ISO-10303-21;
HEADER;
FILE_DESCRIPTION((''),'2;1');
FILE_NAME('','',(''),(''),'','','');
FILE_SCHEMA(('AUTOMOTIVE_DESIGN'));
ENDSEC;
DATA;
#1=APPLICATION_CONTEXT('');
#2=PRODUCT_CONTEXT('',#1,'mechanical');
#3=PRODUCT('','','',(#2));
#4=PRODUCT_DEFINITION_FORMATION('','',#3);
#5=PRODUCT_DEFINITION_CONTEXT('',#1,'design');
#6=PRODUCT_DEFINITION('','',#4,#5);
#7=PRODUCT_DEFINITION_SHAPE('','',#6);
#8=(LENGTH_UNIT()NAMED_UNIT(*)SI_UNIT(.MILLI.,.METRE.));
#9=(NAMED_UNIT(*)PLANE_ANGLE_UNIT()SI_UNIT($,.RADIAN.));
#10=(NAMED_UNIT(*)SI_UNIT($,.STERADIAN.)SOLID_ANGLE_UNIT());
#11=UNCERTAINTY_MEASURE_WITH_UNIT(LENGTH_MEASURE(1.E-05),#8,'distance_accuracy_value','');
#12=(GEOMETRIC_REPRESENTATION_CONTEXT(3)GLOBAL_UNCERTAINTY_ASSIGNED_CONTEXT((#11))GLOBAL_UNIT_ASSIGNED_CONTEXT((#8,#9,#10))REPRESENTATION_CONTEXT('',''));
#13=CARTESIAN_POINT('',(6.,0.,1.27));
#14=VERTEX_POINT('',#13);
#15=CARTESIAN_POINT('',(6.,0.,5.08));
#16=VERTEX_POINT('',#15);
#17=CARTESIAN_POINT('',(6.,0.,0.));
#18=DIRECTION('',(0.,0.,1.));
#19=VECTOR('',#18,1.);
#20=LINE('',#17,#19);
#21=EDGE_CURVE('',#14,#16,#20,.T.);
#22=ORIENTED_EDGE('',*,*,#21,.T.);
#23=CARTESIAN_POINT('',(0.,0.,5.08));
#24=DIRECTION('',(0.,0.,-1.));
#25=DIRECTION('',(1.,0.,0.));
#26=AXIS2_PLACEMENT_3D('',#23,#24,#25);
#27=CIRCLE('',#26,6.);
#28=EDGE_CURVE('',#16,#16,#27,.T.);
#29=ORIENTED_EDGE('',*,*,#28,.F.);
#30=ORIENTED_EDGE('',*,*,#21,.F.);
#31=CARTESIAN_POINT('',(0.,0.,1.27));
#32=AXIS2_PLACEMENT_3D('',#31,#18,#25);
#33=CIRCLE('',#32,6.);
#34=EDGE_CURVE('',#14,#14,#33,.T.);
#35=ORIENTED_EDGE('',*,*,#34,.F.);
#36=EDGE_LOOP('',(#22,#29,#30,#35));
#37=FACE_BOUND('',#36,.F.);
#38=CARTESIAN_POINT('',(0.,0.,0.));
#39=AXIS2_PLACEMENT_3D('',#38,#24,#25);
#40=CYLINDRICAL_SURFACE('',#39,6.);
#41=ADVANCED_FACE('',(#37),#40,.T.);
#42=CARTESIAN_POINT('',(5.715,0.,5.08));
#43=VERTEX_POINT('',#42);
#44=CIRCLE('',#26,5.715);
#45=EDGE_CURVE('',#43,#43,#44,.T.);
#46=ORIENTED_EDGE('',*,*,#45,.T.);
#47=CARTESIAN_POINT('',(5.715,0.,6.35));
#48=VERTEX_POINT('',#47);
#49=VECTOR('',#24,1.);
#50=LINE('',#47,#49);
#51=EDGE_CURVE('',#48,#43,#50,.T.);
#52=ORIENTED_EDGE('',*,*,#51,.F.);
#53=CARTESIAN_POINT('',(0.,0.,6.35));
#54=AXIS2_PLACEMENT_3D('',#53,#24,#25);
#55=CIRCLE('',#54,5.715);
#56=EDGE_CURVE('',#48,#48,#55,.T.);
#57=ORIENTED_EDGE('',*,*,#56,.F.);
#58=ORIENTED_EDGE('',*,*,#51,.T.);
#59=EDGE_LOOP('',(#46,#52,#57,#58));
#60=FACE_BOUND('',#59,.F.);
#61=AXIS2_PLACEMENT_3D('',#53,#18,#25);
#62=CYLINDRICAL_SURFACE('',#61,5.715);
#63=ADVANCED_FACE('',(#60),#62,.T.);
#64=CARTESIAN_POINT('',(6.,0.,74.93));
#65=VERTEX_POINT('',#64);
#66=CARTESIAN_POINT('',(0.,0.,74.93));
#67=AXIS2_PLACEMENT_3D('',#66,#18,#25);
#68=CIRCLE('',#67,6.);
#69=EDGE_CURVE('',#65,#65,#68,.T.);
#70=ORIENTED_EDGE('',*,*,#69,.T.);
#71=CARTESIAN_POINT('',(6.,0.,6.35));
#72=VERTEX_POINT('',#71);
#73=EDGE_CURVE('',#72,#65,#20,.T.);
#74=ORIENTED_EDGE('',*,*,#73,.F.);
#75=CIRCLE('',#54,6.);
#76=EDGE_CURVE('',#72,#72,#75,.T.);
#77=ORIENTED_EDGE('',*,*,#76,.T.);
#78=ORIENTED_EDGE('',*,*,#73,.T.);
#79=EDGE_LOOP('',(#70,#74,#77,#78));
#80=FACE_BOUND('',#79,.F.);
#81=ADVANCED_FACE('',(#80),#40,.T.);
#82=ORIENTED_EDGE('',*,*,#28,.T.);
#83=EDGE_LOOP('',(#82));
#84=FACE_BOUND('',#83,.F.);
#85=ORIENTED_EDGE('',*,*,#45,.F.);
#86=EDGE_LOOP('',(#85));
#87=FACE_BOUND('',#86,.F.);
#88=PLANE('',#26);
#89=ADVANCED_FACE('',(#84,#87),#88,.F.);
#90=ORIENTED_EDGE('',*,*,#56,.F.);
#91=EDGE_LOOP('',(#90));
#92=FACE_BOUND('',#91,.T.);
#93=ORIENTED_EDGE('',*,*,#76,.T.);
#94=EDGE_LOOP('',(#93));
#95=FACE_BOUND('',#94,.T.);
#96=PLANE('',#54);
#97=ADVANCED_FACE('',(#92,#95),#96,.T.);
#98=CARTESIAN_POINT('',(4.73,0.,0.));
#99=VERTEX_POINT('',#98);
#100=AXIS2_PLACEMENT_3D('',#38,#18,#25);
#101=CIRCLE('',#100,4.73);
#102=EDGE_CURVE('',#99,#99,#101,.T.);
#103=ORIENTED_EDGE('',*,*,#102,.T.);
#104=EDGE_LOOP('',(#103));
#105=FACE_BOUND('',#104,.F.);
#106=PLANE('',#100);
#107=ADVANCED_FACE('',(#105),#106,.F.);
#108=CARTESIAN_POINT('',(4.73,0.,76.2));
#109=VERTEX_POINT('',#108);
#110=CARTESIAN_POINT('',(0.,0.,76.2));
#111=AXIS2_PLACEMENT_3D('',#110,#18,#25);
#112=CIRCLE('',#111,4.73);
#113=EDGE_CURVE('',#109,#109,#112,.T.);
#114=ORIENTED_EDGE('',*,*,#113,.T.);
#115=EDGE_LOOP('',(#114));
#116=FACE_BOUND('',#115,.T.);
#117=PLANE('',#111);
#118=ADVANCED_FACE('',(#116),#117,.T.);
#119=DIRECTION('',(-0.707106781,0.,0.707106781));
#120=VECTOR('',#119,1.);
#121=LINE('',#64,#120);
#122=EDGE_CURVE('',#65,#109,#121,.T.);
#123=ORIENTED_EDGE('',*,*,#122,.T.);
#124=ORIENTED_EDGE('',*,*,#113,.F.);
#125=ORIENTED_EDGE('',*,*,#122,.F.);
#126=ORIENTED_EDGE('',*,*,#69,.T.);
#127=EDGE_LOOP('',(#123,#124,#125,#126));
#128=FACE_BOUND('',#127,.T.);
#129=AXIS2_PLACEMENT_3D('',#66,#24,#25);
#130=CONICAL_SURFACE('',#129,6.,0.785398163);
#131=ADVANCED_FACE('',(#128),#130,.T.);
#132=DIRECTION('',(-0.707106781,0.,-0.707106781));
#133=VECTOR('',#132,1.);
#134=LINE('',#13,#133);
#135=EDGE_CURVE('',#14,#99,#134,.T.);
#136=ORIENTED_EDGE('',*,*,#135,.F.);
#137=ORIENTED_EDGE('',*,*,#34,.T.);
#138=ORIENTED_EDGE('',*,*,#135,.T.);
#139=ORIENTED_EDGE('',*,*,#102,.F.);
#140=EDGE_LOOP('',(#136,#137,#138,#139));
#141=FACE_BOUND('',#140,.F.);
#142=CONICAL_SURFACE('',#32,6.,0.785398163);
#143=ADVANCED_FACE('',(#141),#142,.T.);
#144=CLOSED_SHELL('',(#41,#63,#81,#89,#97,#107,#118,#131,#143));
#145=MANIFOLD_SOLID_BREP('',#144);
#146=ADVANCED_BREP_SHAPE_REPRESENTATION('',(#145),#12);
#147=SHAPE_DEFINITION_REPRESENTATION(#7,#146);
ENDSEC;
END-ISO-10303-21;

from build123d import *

# Parameters (mm, degrees)
F0_R     = 6
F1_DEPTH = 76.2
F3_R     = 6
F3_R_2   = 5.715
F4_DEPTH = 1.27
F5_SIZE  = 1.27


with BuildPart() as f1:
    # F0 (on Top) → F1 (new body)
    with BuildSketch(Plane.XY):
        Circle(F0_R)
    extrude(amount=F1_DEPTH)

    # F3 (on offset) → F4 (cut)
    with BuildSketch(Plane(origin=(0, 0, 6.35), x_dir=(1, 0, 0), z_dir=(0, 0, -1))):
        Circle(F3_R)
        Circle(F3_R_2, mode=Mode.SUBTRACT)
    extrude(amount=F4_DEPTH, mode=Mode.SUBTRACT)

    # F5
    f5_edges = [f1.edges().sort_by_distance(p)[0] for p in [
        (-6, 0, 0),
        (-6, 0, 76.2),
    ]]
    chamfer(f5_edges, length=F5_SIZE)


solid = f1.part
